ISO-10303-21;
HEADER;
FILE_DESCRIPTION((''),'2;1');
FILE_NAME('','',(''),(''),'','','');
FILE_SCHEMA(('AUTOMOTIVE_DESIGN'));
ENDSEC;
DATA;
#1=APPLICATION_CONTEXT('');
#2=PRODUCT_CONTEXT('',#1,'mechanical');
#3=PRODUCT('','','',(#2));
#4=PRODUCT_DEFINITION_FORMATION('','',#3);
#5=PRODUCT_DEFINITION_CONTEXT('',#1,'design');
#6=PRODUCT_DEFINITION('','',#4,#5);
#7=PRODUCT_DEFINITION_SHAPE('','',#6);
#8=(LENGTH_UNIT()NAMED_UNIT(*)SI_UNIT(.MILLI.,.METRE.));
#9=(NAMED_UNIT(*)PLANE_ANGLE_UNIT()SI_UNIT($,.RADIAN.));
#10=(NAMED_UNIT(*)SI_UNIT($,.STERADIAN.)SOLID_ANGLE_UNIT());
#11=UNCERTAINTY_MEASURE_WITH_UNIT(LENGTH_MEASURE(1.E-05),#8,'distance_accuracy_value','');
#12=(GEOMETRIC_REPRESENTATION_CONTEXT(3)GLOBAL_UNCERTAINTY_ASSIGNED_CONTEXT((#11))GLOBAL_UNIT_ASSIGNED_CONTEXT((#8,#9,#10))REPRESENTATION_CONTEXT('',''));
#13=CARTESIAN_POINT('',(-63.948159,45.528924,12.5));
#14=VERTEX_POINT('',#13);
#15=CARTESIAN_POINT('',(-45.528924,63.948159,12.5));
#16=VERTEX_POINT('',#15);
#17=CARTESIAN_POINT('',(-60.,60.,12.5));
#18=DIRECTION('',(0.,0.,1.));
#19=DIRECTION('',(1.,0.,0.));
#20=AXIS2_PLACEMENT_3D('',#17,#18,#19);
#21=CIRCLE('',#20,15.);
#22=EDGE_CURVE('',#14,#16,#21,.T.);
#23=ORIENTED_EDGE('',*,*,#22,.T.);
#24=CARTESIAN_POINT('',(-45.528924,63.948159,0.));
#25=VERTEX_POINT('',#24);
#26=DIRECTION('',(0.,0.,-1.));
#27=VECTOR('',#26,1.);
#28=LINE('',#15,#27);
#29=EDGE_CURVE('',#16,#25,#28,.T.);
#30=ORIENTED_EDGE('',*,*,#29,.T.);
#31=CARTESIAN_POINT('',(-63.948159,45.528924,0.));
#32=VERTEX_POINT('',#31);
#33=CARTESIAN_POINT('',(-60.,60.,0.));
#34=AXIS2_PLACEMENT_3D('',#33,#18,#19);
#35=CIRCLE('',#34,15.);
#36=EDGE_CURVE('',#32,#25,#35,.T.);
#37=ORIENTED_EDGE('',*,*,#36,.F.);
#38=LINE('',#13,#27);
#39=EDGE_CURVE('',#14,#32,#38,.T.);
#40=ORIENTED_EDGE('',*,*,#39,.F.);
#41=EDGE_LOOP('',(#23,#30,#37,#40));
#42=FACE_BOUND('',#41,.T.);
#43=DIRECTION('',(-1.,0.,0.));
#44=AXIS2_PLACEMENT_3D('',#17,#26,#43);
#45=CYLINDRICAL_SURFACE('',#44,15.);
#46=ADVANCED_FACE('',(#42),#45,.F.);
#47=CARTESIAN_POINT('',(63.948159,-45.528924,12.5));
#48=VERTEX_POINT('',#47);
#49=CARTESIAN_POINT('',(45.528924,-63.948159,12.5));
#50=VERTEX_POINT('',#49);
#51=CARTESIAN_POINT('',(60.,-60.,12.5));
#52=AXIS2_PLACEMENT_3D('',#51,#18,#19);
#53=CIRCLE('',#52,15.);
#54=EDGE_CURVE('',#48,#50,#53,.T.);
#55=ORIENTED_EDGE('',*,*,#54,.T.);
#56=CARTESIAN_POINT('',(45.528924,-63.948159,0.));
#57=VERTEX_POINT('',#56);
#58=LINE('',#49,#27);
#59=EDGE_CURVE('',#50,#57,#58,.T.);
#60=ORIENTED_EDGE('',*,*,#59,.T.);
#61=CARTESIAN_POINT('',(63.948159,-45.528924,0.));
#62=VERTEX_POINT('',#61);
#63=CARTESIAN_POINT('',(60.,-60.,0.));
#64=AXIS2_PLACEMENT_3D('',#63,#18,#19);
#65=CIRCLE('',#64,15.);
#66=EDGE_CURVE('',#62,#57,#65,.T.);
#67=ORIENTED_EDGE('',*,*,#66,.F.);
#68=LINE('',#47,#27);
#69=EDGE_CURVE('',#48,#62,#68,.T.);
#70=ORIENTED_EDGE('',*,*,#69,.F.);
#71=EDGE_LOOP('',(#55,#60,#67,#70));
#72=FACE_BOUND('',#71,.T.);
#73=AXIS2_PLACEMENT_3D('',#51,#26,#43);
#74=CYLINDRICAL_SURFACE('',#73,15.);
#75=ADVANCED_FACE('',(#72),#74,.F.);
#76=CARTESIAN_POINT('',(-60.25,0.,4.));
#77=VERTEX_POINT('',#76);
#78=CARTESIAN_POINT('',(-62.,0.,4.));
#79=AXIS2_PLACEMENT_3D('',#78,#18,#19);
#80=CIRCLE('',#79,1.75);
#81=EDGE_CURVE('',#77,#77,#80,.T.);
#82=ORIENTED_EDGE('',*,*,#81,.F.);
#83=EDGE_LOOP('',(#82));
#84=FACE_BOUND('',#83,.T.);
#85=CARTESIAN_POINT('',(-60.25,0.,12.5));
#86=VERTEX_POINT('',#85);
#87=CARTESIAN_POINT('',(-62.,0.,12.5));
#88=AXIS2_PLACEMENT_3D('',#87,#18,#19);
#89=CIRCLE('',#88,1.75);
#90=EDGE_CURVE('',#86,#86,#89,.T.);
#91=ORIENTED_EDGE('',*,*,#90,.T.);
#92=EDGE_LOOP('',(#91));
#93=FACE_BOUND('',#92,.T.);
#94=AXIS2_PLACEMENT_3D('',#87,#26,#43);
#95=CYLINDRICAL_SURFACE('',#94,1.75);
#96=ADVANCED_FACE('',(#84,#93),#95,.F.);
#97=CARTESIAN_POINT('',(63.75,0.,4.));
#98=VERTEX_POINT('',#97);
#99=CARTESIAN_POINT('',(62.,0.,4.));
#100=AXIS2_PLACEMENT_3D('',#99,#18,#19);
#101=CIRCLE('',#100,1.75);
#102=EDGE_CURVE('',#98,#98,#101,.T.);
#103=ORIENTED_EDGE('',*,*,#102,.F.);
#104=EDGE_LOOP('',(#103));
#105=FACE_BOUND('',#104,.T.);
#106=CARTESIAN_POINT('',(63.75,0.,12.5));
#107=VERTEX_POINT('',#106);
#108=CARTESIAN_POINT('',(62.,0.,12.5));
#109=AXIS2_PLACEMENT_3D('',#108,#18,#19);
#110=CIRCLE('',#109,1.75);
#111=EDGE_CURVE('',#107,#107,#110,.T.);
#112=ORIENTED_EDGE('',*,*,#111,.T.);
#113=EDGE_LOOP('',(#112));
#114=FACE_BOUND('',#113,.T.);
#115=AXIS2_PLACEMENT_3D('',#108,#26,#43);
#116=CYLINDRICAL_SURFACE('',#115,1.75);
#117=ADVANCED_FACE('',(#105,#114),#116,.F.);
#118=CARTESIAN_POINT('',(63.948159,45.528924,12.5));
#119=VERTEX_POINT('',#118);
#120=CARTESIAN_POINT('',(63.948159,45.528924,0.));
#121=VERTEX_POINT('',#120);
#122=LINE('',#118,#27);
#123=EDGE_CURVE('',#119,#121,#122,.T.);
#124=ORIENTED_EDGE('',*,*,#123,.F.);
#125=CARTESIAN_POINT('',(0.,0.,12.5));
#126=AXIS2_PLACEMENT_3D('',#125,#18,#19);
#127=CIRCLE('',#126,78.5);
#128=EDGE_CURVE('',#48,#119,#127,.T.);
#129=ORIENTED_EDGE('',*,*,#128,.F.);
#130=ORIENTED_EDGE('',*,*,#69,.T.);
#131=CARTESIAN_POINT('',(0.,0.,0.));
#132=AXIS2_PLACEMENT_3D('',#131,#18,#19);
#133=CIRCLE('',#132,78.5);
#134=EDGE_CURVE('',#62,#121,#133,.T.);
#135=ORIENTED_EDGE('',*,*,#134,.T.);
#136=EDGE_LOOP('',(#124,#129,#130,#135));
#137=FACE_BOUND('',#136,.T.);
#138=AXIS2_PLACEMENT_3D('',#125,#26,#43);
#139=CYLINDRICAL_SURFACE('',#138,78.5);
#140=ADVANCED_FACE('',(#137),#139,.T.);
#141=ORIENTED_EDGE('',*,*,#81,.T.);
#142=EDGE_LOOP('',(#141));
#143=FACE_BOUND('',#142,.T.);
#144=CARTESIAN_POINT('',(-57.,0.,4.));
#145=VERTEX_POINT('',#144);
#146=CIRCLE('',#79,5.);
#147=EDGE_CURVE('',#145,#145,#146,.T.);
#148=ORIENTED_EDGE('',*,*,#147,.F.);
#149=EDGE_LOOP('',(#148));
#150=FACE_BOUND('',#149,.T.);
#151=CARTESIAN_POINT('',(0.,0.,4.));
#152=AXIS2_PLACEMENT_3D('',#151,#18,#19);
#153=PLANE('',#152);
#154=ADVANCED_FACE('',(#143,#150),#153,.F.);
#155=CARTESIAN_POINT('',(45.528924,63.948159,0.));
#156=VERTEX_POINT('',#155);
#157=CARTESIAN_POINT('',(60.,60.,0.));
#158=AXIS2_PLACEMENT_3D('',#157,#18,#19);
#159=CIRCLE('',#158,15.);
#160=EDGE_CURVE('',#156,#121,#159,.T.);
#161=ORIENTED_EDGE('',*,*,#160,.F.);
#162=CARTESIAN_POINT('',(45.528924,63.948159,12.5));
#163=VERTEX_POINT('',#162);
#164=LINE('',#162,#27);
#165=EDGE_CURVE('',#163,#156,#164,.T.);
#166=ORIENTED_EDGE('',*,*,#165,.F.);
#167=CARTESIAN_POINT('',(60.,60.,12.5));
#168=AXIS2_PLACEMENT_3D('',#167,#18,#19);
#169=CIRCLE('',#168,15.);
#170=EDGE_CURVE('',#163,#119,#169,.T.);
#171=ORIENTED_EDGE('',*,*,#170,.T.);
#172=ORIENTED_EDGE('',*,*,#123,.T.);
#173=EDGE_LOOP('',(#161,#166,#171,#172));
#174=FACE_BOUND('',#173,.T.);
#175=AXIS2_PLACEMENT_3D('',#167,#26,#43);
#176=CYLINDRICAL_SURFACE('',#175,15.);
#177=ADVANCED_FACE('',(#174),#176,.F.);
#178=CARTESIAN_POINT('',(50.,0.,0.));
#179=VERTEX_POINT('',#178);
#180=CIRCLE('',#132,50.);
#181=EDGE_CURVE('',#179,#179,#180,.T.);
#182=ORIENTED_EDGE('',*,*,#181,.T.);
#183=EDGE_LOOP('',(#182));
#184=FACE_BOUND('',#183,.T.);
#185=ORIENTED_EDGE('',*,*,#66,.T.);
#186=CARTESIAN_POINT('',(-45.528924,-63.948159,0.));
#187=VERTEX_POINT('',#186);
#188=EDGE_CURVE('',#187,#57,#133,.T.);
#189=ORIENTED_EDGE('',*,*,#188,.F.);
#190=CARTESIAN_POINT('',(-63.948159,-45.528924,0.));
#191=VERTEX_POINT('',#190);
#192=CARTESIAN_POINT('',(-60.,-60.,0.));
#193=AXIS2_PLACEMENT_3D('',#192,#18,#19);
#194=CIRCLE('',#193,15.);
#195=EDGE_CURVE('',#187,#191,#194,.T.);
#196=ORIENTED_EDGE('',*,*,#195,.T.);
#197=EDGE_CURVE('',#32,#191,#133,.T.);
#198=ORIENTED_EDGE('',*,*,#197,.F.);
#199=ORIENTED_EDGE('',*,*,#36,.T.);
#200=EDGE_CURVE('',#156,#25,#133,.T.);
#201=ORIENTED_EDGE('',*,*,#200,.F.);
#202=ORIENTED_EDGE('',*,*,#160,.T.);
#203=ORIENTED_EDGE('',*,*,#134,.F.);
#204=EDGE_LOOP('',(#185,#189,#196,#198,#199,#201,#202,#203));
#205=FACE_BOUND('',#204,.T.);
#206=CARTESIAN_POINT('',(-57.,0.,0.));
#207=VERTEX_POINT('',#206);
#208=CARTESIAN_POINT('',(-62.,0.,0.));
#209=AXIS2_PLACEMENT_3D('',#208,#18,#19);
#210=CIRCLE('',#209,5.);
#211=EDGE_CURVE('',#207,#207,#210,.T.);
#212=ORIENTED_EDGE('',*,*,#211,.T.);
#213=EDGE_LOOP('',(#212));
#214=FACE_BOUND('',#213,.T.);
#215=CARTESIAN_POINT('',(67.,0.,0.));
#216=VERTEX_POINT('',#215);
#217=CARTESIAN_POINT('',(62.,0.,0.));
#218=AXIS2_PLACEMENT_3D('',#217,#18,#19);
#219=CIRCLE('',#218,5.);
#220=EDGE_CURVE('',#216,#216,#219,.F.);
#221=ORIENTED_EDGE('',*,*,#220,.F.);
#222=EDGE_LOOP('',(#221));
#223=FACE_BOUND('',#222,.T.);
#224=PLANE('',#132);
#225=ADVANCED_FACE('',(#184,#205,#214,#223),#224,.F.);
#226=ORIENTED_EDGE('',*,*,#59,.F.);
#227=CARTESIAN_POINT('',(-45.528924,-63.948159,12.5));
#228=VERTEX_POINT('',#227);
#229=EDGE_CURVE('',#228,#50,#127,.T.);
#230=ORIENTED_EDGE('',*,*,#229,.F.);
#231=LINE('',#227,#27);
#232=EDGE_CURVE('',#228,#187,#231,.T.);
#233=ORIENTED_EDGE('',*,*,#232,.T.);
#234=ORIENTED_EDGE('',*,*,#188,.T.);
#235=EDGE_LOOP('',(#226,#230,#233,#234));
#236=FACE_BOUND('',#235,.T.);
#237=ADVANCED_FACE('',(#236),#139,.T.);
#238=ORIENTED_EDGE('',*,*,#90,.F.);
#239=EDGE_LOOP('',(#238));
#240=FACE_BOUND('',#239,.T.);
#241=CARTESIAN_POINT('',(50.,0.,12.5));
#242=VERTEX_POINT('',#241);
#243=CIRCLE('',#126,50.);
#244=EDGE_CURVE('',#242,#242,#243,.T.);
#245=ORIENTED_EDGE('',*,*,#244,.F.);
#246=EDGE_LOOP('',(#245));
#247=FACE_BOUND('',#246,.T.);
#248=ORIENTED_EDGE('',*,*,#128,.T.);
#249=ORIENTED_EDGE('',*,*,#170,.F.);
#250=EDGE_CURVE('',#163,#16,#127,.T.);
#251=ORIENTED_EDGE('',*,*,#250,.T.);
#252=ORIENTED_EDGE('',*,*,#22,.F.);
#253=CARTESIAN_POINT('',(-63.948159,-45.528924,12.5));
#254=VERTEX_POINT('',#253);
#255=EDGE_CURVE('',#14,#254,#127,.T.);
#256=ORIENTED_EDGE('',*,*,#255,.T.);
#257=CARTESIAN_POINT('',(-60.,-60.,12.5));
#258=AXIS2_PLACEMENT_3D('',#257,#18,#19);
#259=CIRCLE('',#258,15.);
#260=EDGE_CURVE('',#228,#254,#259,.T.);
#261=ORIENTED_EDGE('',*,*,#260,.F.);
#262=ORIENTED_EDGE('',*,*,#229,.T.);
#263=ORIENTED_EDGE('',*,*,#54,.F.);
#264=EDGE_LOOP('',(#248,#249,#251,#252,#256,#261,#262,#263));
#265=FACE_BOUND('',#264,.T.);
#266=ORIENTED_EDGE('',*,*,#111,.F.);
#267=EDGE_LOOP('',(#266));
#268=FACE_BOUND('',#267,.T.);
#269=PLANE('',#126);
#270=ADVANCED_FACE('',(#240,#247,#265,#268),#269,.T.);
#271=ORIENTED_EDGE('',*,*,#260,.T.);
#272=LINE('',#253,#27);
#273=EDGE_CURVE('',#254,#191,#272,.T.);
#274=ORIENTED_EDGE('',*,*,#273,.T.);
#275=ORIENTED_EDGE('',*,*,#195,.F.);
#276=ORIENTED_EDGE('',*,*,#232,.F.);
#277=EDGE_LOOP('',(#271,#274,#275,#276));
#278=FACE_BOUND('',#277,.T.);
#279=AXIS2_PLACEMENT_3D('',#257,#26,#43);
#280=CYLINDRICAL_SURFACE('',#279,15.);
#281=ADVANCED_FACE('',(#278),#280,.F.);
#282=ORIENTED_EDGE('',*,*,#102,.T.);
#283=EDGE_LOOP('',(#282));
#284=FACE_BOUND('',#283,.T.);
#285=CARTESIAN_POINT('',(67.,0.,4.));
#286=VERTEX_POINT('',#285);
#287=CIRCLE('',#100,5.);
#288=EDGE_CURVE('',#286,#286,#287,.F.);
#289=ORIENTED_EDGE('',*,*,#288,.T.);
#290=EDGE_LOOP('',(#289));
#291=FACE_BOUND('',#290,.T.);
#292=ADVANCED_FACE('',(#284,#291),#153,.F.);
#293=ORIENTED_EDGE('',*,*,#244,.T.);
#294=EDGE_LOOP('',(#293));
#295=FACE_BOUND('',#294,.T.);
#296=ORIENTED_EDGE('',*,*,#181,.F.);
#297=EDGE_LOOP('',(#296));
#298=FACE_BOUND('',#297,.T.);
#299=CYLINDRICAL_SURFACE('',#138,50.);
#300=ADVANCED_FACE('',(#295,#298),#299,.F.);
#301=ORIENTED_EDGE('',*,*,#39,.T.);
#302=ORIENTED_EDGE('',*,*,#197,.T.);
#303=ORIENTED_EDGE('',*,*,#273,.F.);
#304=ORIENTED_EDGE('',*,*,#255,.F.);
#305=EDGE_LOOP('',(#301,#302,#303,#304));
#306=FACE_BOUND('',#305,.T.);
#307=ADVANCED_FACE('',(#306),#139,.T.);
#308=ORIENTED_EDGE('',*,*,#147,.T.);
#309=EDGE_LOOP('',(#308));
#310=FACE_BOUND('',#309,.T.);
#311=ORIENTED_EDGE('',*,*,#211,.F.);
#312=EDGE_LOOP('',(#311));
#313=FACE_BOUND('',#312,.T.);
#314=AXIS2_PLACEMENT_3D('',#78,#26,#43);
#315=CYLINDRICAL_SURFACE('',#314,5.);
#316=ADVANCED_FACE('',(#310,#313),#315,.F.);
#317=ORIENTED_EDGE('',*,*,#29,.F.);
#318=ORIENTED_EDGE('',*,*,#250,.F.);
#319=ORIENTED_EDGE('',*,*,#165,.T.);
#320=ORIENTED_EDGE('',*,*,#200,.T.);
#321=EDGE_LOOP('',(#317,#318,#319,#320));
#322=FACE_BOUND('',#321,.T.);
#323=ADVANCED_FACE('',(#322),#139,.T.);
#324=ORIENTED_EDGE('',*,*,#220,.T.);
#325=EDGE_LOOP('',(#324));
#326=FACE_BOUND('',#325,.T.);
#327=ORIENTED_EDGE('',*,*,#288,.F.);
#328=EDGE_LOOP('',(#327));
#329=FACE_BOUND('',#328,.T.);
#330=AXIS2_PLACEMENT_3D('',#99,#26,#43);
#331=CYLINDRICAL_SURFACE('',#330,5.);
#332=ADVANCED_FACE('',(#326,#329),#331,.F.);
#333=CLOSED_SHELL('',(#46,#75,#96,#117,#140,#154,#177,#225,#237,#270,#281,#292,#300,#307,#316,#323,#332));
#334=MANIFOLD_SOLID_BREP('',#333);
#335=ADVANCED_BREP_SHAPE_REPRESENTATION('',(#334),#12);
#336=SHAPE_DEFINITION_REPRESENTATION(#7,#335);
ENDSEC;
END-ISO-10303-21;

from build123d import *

# Parameters (mm, degrees)
SKETCH_1_R          = 1.75
SKETCH_1_R_2        = 50
EXTRUDE_1_DEPTH     = 12.5
SKETCH_1_3_R        = 5
SKETCH_1_3_R_2      = 1.75
CUT_EXTRUDE_1_DEPTH = 4


with BuildPart() as part:
    # 草图1 → 凸台-拉伸1 (new body)
    with BuildSketch(Plane.XY):
        with BuildLine():
            ThreePointArc((63.94815926, -45.528924074), (78.5, 0), (63.94815926, 45.528924074))
            ThreePointArc((63.94815926, 45.528924074), (49.393398282, 49.393398282), (45.528924074, 63.94815926))
            ThreePointArc((45.528924074, 63.94815926), (0, 78.5), (-45.528924074, 63.94815926))
            ThreePointArc((-45.528924074, 63.94815926), (-49.393398282, 49.393398282), (-63.94815926, 45.528924074))
            ThreePointArc((-63.94815926, 45.528924074), (-78.5, 0), (-63.94815926, -45.528924074))
            ThreePointArc((-63.94815926, -45.528924074), (-49.393398282, -49.393398282), (-45.528924074, -63.94815926))
            ThreePointArc((-45.528924074, -63.94815926), (0, -78.5), (45.528924074, -63.94815926))
            ThreePointArc((45.528924074, -63.94815926), (49.393398282, -49.393398282), (63.94815926, -45.528924074))
        make_face()
        with Locations((-62, 0)):
            Circle(SKETCH_1_R, mode=Mode.SUBTRACT)
        Circle(SKETCH_1_R_2, mode=Mode.SUBTRACT)
        with Locations((62, 0)):
            Circle(SKETCH_1_R, mode=Mode.SUBTRACT)
    extrude(amount=EXTRUDE_1_DEPTH)

    # 草图1<3> → 切除-拉伸1 (cut)
    # profile 1 of 2: a face of its own
    with BuildSketch(Plane.XY):
        with Locations((-62, 0)):
            Circle(SKETCH_1_3_R)
        with Locations((-62, 0)):
            Circle(SKETCH_1_3_R_2, mode=Mode.SUBTRACT)
    # profile 2 of 2: a face of its own
    with BuildSketch(Plane.XY):
        with Locations((62, 0)):
            Circle(SKETCH_1_3_R)
        with Locations((62, 0)):
            Circle(SKETCH_1_3_R_2, mode=Mode.SUBTRACT)
    extrude(amount=CUT_EXTRUDE_1_DEPTH, mode=Mode.SUBTRACT)


solid = part.part
